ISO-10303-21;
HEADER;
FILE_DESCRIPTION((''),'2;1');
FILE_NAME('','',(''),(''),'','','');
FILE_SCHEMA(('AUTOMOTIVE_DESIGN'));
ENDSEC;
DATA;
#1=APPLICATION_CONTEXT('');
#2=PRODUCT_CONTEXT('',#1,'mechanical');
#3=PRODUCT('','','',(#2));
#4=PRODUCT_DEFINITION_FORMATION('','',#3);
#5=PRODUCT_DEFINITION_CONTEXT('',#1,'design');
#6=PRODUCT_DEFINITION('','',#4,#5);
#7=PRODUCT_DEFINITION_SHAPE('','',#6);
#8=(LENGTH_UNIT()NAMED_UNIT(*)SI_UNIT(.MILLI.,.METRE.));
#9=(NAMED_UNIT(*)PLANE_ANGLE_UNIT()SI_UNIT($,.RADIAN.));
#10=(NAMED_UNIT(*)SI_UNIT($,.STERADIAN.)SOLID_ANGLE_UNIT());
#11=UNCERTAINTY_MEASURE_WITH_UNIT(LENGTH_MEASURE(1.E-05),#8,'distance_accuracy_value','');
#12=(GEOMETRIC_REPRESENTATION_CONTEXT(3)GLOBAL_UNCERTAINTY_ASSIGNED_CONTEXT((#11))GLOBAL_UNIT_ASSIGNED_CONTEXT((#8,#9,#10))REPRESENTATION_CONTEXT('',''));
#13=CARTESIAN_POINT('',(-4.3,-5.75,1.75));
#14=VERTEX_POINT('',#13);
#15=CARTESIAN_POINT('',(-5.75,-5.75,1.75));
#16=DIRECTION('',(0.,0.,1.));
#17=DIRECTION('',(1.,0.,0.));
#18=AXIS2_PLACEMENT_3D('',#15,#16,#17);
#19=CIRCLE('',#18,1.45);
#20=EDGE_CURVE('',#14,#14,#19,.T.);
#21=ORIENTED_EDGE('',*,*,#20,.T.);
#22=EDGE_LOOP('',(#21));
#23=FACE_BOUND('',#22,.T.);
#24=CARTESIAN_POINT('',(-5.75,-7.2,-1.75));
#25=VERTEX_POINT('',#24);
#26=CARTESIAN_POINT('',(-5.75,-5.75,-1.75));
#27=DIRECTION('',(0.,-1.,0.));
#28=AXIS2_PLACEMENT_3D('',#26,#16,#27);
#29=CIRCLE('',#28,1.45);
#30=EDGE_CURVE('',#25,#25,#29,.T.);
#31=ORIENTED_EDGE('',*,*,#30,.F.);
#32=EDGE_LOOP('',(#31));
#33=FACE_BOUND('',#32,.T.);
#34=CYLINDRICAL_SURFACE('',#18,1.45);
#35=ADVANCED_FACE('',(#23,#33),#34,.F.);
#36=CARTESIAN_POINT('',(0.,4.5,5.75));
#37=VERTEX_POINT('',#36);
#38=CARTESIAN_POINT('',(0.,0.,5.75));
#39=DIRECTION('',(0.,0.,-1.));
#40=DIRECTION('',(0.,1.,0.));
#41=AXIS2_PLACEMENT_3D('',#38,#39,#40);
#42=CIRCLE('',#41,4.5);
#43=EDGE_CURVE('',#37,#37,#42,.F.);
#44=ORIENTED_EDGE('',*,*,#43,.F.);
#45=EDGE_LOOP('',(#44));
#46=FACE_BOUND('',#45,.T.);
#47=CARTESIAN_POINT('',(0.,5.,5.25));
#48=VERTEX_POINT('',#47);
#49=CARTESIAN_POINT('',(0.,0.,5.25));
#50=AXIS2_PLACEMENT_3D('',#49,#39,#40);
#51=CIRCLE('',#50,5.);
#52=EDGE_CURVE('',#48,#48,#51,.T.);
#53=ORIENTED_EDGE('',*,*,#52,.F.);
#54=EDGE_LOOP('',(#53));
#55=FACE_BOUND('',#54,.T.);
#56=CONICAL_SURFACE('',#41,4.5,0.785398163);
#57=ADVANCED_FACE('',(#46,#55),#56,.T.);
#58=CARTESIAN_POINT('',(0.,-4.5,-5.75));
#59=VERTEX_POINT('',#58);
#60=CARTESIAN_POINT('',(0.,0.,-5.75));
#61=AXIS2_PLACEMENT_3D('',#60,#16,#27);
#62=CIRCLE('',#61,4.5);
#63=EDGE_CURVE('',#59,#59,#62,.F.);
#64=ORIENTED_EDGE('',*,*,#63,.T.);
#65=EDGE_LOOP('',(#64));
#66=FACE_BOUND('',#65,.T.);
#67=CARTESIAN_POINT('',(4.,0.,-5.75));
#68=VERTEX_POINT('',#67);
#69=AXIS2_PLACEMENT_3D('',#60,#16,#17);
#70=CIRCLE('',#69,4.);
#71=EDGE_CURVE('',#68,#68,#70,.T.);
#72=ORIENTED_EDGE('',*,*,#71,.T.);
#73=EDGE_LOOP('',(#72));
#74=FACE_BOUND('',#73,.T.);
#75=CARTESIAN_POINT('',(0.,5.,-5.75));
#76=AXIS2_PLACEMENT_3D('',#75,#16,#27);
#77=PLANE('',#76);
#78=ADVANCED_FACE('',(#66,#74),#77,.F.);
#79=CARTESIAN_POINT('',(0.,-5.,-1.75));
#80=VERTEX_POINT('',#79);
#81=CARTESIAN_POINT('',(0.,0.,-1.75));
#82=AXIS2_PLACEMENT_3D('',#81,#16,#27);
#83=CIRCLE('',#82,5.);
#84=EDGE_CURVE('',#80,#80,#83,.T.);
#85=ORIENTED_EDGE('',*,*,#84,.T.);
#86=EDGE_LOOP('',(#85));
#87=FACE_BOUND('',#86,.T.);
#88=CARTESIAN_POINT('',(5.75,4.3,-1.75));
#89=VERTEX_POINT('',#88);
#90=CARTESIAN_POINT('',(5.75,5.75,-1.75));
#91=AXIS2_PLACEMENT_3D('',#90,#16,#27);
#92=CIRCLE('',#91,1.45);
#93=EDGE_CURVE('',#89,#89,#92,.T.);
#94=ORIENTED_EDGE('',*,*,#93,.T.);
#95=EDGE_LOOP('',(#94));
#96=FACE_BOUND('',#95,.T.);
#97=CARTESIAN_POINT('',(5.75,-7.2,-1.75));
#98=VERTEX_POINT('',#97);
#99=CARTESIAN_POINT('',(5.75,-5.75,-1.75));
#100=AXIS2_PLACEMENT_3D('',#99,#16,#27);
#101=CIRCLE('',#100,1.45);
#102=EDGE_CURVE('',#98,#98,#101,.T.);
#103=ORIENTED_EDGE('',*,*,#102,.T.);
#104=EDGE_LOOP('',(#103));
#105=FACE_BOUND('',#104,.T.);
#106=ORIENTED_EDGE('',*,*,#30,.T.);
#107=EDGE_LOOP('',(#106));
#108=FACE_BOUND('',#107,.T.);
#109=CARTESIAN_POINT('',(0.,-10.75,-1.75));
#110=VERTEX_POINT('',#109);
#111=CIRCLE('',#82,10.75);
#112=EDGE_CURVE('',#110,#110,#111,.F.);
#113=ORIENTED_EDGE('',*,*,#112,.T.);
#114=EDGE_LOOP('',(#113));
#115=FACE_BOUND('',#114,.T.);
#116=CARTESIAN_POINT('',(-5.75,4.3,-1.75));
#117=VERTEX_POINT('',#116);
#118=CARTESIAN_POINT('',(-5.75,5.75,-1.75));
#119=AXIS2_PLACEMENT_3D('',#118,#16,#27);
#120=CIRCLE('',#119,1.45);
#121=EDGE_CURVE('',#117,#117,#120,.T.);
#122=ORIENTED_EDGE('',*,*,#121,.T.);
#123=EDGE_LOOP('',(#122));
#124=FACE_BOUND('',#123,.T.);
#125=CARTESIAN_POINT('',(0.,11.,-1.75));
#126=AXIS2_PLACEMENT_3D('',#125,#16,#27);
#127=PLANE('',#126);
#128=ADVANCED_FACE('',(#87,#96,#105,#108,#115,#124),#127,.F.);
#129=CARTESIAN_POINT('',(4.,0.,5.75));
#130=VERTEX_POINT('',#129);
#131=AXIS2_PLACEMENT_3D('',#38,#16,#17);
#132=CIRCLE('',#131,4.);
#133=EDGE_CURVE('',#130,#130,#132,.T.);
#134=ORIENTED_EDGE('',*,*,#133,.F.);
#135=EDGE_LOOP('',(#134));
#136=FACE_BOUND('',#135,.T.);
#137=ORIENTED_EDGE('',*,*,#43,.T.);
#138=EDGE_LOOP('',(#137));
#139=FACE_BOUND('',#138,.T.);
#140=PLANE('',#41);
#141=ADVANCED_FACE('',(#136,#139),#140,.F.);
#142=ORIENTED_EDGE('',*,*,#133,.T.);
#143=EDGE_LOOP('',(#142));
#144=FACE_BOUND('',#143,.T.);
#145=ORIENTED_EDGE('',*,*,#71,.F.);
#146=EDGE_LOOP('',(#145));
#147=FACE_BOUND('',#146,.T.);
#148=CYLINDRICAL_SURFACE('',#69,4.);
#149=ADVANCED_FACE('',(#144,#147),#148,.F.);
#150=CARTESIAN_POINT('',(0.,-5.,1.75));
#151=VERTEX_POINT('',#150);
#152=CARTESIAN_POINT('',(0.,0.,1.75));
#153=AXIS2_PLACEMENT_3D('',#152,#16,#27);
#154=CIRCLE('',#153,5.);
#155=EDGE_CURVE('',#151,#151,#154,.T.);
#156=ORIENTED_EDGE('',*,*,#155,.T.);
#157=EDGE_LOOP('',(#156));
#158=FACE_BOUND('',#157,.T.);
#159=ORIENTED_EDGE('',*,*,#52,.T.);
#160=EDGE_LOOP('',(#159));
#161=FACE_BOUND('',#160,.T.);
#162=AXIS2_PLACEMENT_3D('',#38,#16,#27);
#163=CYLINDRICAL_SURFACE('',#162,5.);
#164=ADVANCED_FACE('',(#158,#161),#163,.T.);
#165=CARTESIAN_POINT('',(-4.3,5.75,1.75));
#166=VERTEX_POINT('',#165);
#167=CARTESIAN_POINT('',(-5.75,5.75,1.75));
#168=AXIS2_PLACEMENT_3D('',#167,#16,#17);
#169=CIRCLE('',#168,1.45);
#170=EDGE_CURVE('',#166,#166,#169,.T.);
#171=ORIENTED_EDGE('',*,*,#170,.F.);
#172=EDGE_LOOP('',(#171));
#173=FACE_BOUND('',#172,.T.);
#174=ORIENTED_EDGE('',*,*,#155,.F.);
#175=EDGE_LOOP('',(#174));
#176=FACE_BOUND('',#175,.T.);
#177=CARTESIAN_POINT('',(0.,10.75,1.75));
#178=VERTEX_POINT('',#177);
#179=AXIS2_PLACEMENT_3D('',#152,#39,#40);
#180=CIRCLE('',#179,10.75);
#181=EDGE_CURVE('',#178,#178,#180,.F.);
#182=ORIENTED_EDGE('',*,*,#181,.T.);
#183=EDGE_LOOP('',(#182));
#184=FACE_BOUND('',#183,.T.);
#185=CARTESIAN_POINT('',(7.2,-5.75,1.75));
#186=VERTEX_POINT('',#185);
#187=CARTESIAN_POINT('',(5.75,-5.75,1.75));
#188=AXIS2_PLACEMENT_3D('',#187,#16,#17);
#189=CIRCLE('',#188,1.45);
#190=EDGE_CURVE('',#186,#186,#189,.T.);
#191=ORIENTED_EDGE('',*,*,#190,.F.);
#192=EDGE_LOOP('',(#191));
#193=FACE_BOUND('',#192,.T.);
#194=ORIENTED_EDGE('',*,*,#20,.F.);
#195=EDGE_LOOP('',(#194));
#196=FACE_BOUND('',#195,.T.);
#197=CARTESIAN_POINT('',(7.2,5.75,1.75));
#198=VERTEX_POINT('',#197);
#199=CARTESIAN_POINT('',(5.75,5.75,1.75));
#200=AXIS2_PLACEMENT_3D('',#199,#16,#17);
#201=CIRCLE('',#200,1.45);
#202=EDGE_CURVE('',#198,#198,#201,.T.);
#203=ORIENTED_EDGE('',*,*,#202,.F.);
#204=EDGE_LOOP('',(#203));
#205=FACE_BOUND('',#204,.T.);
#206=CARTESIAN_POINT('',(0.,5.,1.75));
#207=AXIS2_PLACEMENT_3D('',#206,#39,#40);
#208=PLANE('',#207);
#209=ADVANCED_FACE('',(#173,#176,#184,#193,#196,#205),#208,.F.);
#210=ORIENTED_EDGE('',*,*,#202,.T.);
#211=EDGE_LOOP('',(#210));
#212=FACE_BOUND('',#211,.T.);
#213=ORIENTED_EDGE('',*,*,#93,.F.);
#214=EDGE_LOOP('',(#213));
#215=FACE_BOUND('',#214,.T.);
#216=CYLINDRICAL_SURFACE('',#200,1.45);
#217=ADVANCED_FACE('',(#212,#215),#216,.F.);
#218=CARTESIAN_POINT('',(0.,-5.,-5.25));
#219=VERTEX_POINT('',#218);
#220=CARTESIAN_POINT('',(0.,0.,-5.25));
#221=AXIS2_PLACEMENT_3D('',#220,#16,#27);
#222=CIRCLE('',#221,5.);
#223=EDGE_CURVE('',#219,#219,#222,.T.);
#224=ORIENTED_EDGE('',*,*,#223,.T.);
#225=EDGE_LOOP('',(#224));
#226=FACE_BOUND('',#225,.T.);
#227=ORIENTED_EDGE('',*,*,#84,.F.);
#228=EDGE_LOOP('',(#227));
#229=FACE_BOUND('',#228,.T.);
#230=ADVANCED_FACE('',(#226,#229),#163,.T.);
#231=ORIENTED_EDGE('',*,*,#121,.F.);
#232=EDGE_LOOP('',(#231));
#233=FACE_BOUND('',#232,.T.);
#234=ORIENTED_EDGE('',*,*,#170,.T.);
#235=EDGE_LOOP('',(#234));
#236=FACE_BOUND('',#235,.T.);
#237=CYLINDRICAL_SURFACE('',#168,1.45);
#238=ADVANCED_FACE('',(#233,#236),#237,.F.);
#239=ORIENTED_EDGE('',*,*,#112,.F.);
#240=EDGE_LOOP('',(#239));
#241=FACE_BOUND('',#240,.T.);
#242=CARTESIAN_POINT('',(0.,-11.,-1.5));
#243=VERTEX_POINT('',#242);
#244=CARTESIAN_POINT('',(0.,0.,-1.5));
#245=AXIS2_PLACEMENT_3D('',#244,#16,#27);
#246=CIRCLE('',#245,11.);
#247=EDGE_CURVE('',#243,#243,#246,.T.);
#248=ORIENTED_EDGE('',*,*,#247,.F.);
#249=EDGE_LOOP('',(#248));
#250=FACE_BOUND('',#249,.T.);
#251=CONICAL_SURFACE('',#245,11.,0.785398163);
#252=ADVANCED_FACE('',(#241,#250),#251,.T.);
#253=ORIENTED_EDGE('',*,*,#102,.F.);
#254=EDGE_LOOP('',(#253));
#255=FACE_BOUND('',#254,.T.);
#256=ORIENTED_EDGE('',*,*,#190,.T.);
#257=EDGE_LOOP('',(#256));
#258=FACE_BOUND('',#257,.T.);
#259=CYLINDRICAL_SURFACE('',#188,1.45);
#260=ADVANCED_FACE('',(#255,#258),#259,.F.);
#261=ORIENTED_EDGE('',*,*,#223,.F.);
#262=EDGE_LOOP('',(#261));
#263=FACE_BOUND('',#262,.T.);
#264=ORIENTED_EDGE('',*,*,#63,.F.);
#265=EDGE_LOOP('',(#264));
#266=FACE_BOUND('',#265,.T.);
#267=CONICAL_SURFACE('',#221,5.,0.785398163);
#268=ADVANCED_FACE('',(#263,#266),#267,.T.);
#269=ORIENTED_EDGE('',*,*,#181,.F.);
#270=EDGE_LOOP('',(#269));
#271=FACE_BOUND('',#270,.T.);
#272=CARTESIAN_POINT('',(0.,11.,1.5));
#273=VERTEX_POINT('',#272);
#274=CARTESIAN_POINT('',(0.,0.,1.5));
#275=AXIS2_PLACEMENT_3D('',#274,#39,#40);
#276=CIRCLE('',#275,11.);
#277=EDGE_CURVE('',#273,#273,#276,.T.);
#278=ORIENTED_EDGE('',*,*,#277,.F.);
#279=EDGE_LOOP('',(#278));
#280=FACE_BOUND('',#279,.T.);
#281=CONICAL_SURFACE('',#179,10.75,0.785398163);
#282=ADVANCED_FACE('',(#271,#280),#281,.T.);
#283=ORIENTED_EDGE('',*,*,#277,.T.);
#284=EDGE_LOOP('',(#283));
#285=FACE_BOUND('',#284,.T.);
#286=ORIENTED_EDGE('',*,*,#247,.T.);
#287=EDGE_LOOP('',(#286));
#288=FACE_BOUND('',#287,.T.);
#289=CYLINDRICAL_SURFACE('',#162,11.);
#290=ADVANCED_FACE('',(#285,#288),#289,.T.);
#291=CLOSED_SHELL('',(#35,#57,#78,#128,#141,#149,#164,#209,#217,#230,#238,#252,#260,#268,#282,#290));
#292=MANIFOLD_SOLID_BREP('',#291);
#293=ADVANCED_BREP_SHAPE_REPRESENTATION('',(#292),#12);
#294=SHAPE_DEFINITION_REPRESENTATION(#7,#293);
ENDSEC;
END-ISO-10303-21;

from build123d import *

# Parameters (mm, degrees)
SKETCH2_R               = 4
CUT_EXTRUDE1_DEPTH      = 12.5
CHAMFER1_SIZE           = 0.5
CHAMFER2_SIZE           = 0.25
M3_5X0_6_TAPPED_HOLE1_D = 2.9


with BuildPart() as part:
    # Sketch1 → Revolve1 (revolve)
    with BuildSketch(Plane(origin=(0, 0, 0), x_dir=(0, 0, -1), z_dir=(1, 0, 0))):
        Polygon((-5.75, 0), (-5.75, 5), (-1.75, 5), (-1.75, 11), (1.75, 11), (1.75, 5), (5.75, 5), (5.75, 0), align=None)
    revolve(axis=Axis((0, 0, 5.75), (0, 0, -1)))

    # Sketch2 → Cut-Extrude1 (cut, through all)
    with BuildSketch(Plane.XY.offset(5.75)):
        Circle(SKETCH2_R)
    extrude(amount=-CUT_EXTRUDE1_DEPTH, mode=Mode.SUBTRACT)

    # Chamfer1
    chamfer1_edges = [part.edges().sort_by_distance(p)[0] for p in [
        (0, -5, -5.75),
        (0, -5, 5.75),
    ]]
    chamfer(chamfer1_edges, length=CHAMFER1_SIZE)

    # Chamfer2
    chamfer2_edges = [part.edges().sort_by_distance(p)[0] for p in [
        (0, -11, -1.75),
        (0, -11, 1.75),
    ]]
    chamfer(chamfer2_edges, length=CHAMFER2_SIZE)

    # M3.5x0.6 Tapped Hole1 (through all)
    with Locations(Plane.XY.offset(1.75)):
        with Locations((-5.75, 5.75), (5.75, 5.75), (5.75, -5.75), (-5.75, -5.75)):
            Hole(M3_5X0_6_TAPPED_HOLE1_D / 2)


solid = part.part
